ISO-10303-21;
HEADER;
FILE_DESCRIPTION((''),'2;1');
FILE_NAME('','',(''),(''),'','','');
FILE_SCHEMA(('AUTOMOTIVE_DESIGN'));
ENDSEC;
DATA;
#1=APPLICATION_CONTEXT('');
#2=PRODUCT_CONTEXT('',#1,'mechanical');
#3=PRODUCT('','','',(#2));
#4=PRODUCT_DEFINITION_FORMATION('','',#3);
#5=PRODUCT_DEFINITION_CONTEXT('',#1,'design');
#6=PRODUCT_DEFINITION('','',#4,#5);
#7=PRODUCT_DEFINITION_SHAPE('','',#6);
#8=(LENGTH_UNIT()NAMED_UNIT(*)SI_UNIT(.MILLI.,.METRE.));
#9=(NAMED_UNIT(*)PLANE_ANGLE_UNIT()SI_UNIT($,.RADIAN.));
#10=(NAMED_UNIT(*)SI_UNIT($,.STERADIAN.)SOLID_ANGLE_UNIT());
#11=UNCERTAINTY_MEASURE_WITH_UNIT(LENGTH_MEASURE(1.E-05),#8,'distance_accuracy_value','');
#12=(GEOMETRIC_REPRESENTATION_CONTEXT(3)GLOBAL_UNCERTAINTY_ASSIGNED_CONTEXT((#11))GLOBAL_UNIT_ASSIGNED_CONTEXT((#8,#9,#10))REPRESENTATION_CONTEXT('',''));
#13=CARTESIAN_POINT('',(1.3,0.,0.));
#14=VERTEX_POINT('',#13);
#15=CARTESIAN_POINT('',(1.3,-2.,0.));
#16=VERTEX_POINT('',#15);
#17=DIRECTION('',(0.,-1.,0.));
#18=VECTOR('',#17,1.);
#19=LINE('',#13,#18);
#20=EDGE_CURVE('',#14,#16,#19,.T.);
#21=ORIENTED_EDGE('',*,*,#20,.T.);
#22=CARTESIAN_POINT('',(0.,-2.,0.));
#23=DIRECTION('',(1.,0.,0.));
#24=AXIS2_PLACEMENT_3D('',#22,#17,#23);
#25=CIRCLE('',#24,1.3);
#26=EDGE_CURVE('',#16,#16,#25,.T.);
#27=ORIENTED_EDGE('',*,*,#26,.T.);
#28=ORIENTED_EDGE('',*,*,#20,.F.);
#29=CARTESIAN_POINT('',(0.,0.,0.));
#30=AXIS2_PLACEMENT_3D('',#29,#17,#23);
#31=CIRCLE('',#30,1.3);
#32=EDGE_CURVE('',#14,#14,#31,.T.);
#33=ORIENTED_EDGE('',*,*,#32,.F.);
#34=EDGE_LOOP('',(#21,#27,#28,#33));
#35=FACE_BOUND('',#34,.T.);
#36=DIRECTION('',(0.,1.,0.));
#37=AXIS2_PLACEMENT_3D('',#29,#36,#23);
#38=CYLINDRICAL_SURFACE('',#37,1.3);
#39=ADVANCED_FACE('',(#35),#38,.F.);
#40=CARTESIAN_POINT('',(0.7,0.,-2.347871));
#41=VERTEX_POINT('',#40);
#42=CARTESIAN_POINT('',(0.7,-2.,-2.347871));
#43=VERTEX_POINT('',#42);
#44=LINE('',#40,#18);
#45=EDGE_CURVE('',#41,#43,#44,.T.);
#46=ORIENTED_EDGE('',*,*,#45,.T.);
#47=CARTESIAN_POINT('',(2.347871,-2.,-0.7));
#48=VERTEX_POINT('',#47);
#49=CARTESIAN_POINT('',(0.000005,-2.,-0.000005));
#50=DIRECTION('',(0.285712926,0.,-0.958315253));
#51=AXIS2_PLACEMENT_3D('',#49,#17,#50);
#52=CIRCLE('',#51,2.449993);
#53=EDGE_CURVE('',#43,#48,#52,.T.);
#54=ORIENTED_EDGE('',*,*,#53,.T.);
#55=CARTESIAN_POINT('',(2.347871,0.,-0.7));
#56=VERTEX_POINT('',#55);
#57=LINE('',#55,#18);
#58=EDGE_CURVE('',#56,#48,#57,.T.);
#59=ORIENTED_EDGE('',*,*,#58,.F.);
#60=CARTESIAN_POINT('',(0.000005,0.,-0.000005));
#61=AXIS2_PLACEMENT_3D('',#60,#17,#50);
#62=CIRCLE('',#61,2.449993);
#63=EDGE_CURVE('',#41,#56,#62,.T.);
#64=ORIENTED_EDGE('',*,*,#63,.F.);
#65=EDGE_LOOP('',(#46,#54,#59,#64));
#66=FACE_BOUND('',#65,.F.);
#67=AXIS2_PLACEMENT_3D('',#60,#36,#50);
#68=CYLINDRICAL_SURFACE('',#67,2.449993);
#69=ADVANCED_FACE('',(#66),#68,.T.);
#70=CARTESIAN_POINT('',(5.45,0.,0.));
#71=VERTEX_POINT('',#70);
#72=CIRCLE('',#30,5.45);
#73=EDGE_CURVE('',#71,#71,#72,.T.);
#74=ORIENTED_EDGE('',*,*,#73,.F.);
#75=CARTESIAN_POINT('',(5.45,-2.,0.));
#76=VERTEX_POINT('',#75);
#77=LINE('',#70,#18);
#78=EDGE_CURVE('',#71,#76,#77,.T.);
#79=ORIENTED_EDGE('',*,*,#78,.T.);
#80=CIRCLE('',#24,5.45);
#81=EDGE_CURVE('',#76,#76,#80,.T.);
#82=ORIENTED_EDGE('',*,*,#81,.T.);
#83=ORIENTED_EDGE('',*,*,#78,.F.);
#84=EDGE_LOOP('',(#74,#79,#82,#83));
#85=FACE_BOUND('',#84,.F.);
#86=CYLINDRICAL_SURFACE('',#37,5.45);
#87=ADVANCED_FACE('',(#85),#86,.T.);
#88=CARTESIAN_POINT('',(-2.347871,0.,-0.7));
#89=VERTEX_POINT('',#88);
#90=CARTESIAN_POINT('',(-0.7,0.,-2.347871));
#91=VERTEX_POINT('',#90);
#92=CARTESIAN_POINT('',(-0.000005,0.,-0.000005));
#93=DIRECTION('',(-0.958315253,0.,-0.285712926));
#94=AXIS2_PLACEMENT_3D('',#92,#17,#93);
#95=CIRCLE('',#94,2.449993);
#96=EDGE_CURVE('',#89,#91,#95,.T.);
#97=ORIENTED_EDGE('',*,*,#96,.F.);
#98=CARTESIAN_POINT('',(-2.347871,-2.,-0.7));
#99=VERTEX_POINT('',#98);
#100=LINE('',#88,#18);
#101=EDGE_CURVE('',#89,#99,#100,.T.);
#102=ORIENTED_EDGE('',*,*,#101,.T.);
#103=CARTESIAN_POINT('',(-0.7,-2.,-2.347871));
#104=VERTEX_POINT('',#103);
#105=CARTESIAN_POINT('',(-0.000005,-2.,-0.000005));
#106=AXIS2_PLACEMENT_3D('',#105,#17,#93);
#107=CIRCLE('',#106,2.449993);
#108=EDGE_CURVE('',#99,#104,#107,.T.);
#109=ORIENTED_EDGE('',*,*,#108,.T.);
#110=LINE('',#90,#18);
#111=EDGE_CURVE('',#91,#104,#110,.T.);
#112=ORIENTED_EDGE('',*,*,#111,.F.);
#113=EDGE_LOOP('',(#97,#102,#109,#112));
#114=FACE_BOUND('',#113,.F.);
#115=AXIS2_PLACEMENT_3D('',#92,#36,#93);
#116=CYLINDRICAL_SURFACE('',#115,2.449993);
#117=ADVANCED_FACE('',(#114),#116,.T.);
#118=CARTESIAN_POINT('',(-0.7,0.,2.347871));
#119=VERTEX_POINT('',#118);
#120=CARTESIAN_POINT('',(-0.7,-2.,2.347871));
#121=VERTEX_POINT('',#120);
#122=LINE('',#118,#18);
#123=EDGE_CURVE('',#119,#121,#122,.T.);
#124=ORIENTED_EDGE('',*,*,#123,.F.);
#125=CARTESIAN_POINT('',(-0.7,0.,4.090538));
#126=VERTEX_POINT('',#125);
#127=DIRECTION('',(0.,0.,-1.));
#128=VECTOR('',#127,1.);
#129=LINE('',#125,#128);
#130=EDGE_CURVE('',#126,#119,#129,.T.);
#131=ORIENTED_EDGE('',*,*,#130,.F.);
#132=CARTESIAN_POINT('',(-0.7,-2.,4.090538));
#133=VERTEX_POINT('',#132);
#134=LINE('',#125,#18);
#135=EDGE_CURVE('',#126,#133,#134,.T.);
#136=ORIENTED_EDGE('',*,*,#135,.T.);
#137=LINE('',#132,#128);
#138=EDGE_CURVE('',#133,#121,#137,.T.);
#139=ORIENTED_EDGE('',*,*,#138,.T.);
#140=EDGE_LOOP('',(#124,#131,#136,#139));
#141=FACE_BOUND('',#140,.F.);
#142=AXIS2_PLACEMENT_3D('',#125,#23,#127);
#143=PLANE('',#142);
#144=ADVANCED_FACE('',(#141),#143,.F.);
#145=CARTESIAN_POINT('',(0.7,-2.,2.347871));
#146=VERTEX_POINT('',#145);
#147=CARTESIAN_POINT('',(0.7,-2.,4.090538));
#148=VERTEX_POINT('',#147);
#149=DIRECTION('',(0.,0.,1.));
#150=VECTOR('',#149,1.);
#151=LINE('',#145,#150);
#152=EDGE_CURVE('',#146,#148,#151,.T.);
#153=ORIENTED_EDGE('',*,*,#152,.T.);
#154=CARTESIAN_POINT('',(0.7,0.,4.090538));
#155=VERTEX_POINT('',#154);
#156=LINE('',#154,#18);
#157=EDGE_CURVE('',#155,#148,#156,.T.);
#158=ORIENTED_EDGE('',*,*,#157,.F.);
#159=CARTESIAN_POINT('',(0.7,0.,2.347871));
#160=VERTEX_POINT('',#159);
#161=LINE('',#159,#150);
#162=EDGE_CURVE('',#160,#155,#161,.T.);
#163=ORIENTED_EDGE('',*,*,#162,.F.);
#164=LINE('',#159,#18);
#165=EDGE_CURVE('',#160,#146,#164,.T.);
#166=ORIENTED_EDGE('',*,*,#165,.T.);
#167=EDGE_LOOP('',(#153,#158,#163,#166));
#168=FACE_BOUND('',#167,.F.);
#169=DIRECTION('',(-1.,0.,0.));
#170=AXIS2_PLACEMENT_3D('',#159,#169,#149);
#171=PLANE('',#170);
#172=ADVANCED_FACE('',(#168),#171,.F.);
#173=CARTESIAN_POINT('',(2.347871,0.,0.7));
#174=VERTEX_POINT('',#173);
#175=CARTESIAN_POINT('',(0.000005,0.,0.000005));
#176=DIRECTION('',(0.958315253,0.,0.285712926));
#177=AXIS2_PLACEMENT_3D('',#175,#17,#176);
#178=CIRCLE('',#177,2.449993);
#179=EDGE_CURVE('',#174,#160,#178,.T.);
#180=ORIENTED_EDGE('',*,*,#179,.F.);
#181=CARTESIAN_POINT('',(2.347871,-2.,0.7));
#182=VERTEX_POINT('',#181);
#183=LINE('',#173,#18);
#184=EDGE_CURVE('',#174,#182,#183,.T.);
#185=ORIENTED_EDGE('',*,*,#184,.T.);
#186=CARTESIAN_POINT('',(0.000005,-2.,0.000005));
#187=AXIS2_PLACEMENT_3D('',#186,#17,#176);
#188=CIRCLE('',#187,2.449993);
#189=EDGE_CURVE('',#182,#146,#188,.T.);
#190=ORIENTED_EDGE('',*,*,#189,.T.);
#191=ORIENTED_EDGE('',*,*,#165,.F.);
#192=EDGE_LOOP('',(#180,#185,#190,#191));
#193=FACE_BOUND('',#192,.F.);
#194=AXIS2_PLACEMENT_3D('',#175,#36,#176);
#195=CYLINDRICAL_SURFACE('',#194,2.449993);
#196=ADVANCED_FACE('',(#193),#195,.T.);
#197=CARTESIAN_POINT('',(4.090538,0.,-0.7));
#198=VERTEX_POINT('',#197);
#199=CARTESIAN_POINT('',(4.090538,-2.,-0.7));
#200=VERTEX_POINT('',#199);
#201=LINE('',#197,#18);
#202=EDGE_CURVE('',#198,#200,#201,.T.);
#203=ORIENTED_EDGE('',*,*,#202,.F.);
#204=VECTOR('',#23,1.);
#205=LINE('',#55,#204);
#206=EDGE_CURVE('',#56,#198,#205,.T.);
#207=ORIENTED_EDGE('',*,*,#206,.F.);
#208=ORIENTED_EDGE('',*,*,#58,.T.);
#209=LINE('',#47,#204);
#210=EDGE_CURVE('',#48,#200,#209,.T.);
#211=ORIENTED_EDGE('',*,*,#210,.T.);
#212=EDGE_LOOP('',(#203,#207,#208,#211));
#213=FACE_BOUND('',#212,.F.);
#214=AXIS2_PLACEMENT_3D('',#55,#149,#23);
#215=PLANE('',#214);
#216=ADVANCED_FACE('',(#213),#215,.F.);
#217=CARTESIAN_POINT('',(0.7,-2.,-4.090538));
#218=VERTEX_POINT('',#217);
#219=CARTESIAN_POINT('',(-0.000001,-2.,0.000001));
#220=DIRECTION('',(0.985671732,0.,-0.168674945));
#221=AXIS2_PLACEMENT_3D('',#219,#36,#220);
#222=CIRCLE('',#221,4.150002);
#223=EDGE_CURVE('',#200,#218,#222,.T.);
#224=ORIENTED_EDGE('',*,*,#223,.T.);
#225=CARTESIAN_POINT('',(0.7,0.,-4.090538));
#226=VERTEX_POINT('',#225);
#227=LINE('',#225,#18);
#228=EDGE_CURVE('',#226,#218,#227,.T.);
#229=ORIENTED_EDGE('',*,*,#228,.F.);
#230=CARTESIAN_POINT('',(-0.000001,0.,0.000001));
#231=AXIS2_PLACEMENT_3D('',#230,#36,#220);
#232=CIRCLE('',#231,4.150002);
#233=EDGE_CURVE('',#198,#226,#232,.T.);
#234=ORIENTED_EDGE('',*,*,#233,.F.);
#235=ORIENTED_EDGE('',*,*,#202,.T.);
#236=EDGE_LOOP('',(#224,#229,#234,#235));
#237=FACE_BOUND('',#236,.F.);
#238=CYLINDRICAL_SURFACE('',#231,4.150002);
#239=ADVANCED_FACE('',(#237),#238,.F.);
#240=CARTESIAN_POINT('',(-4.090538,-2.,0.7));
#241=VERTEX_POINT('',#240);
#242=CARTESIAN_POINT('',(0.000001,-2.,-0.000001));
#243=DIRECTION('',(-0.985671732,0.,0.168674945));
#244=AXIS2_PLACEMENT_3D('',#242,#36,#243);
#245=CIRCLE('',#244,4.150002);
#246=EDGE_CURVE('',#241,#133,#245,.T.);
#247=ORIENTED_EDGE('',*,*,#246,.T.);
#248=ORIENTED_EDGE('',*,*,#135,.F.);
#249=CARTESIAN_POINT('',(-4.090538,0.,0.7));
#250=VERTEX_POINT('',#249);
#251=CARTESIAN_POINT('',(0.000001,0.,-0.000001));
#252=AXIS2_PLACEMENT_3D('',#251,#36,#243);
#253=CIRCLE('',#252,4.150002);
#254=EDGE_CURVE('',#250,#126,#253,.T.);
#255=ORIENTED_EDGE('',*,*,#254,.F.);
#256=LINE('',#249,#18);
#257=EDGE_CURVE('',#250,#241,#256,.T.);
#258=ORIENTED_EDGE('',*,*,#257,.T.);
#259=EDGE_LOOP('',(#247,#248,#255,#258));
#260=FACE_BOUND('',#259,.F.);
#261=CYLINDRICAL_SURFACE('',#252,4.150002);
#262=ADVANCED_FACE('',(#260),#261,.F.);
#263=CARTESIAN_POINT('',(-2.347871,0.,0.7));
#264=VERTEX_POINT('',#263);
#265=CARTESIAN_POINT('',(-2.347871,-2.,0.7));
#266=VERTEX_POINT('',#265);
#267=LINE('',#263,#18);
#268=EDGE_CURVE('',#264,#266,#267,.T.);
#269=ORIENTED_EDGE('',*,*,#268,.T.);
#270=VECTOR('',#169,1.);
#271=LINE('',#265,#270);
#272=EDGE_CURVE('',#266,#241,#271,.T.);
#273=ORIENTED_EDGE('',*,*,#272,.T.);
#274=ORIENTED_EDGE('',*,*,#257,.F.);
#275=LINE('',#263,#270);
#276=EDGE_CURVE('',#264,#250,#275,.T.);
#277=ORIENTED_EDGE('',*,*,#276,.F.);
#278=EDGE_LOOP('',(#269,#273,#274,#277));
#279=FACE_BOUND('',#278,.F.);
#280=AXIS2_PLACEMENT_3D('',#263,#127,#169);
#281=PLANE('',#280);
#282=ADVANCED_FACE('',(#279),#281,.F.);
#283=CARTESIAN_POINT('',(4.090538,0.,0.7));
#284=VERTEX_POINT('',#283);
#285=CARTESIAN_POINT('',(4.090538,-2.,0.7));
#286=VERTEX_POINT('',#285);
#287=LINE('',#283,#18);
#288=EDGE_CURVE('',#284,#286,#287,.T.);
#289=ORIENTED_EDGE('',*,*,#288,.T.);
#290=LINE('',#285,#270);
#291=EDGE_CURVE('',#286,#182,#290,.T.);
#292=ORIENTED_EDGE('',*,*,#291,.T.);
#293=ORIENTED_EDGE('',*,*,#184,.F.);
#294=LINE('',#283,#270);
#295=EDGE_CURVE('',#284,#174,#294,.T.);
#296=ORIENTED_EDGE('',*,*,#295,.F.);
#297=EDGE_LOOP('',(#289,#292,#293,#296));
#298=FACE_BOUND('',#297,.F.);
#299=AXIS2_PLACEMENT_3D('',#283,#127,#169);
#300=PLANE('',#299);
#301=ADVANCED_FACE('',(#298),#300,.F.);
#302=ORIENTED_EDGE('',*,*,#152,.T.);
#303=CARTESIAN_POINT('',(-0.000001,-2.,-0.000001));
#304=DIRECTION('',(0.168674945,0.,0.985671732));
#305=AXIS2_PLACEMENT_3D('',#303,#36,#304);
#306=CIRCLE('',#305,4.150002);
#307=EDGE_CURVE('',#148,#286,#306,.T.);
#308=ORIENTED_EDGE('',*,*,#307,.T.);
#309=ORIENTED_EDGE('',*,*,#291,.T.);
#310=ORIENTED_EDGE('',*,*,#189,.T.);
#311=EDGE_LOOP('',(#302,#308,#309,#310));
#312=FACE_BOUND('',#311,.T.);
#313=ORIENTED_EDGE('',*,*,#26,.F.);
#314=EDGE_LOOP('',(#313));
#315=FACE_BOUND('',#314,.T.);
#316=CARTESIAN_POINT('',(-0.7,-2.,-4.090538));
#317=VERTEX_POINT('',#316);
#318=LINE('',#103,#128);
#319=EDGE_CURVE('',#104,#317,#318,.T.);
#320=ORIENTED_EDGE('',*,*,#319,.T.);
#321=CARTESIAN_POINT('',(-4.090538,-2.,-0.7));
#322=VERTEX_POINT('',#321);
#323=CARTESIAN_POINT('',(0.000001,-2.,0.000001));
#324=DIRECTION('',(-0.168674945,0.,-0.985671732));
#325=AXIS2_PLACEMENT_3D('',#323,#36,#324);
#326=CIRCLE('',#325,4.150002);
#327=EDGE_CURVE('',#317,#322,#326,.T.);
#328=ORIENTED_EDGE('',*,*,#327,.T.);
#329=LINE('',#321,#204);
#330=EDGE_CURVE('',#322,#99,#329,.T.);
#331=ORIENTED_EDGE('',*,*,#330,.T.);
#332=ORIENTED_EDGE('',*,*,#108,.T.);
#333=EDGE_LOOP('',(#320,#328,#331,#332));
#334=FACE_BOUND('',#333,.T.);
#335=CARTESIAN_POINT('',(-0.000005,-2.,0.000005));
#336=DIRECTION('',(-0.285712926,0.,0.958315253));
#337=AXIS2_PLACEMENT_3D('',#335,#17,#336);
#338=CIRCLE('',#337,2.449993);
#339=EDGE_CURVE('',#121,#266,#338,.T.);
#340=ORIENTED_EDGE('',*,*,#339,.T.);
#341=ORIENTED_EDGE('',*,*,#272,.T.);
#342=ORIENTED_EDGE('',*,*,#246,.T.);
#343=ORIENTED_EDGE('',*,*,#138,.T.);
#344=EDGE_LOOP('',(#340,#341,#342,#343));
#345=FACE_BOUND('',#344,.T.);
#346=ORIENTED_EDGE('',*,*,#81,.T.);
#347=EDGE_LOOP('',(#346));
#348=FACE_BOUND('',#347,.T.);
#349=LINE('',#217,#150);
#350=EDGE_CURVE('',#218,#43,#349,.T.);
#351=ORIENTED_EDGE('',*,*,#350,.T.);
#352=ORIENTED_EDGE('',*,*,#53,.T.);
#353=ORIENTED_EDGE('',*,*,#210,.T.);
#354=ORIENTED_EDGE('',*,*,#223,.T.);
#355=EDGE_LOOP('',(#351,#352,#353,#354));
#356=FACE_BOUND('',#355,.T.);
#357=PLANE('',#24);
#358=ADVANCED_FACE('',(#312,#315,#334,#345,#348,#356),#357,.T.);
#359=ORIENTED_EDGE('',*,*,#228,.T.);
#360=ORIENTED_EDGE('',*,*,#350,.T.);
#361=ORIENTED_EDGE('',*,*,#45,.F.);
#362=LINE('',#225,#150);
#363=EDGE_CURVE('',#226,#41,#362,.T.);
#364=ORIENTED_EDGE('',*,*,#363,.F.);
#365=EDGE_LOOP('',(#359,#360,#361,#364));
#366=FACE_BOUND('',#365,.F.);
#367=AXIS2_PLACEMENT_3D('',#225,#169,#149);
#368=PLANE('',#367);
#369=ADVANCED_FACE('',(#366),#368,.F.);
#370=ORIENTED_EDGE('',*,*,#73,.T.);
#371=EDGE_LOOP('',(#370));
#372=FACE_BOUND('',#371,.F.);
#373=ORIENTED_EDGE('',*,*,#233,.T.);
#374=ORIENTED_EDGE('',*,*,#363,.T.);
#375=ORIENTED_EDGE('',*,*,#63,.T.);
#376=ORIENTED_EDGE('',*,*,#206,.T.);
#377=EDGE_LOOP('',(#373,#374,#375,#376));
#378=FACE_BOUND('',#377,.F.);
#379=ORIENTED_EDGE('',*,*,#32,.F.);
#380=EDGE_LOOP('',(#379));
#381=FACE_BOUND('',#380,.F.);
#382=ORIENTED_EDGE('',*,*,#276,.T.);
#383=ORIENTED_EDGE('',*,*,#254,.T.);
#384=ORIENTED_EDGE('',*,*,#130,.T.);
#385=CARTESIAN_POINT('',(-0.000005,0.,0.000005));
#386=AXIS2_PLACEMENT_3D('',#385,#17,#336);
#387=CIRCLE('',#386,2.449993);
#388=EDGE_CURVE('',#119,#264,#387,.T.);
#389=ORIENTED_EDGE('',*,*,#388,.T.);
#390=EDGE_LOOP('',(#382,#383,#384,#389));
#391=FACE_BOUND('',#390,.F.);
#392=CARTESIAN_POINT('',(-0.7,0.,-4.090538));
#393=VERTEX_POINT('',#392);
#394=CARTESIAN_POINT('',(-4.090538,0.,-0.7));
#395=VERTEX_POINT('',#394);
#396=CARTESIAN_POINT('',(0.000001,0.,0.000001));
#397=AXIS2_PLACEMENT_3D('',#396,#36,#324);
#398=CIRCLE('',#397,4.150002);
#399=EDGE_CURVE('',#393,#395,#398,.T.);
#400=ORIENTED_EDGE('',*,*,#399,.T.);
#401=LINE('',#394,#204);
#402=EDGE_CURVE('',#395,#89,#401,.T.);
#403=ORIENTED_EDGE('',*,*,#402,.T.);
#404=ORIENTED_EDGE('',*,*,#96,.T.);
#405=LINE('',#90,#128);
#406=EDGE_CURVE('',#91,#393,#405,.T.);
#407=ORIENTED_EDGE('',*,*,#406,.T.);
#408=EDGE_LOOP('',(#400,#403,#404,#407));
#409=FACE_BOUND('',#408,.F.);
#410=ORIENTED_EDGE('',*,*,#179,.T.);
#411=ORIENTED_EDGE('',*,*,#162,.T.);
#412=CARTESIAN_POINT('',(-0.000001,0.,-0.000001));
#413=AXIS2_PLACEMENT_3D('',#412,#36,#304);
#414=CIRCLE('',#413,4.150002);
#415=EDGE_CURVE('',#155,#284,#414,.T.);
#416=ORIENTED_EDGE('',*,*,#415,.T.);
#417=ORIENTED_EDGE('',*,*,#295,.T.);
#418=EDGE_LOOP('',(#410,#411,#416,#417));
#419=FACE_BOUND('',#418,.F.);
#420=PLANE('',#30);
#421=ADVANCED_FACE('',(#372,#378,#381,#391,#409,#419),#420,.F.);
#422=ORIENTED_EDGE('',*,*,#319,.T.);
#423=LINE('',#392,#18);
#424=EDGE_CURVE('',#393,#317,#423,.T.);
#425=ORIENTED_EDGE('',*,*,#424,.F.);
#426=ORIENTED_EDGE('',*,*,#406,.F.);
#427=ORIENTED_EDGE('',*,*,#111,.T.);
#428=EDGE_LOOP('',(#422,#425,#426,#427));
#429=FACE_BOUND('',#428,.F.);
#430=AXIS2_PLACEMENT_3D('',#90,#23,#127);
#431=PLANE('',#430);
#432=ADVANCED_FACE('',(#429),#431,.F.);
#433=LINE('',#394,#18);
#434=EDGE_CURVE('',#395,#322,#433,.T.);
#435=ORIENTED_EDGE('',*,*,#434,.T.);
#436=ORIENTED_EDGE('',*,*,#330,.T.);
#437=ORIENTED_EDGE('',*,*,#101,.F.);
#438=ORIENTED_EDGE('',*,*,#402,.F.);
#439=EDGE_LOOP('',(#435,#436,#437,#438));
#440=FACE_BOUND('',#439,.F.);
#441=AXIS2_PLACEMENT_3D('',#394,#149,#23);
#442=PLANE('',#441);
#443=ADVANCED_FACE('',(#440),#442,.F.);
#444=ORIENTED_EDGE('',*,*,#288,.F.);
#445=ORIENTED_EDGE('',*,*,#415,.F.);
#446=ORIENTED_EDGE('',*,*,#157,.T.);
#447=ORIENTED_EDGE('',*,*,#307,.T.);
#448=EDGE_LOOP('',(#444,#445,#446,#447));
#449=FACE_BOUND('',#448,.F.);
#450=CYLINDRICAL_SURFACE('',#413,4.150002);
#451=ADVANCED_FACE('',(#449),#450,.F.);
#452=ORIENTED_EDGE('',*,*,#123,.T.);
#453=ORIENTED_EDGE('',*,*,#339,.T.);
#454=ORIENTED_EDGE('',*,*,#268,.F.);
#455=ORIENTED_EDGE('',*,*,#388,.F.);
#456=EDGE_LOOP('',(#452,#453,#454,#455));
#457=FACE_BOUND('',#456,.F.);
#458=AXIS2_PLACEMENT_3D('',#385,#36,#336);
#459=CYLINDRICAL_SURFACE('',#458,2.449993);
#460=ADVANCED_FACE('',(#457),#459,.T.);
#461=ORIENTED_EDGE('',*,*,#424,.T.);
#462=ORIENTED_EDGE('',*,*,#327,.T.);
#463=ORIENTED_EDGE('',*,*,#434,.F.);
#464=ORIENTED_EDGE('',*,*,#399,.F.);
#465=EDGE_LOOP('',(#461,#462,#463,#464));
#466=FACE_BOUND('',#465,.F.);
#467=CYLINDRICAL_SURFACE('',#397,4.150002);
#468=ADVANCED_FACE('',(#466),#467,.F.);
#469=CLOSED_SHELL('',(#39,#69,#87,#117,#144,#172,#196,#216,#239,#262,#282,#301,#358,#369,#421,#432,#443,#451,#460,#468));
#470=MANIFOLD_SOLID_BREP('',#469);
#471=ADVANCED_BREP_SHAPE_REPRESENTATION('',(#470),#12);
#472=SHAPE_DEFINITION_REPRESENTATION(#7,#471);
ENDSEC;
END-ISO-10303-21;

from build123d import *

# Parameters (mm, degrees)
F0_R     = 5.45
F0_R_2   = 1.3
F1_DEPTH = 2


with BuildPart() as f1:
    # F0 (on Front) → F1 (new body)
    with BuildSketch(Plane.XZ):
        Circle(F0_R)
        with BuildLine():
            ThreePointArc((4.090538, 0.7), (4.135108, 0.35126), (4.15, 0))
            ThreePointArc((4.15, 0), (4.135108, -0.35126), (4.090538, -0.7))
            ThreePointArc((4.090538, -0.7), (2.934493, -2.934493), (0.7, -4.090538))
            ThreePointArc((0.7, -4.090538), (0.35126, -4.135108), (0, -4.15))
            ThreePointArc((0, -4.15), (-0.35126, -4.135108), (-0.7, -4.090538))
            ThreePointArc((-0.7, -4.090538), (-2.934493, -2.934493), (-4.090538, -0.7))
            ThreePointArc((-4.090538, -0.7), (-4.135108, -0.35126), (-4.15, 0))
            ThreePointArc((-4.15, 0), (-4.135108, 0.35126), (-4.090538, 0.7))
            ThreePointArc((-4.090538, 0.7), (-2.934493, 2.934493), (-0.7, 4.090538))
            ThreePointArc((-0.7, 4.090538), (-0.35126, 4.135108), (0, 4.15))
            ThreePointArc((0, 4.15), (0.35126, 4.135108), (0.7, 4.090538))
            ThreePointArc((0.7, 4.090538), (2.934493, 2.934493), (4.090538, 0.7))
        make_face(mode=Mode.SUBTRACT)
        with BuildLine():
            ThreePointArc((2.347871, -0.7), (2.424333, -0.353705), (2.45, 0))
            ThreePointArc((2.45, 0), (2.424333, 0.353705), (2.347871, 0.7))
            ThreePointArc((2.347871, 0.7), (1.732412, 1.732412), (0.7, 2.347871))
            ThreePointArc((0.7, 2.347871), (0.353705, 2.424333), (0, 2.45))
            ThreePointArc((0, 2.45), (-0.353705, 2.424333), (-0.7, 2.347871))
            ThreePointArc((-0.7, 2.347871), (-1.732412, 1.732412), (-2.347871, 0.7))
            ThreePointArc((-2.347871, 0.7), (-2.424333, 0.353705), (-2.45, 0))
            ThreePointArc((-2.45, 0), (-2.424333, -0.353705), (-2.347871, -0.7))
            ThreePointArc((-2.347871, -0.7), (-1.732412, -1.732412), (-0.7, -2.347871))
            ThreePointArc((-0.7, -2.347871), (-0.353705, -2.424333), (0, -2.45))
            ThreePointArc((0, -2.45), (0.353705, -2.424333), (0.7, -2.347871))
            ThreePointArc((0.7, -2.347871), (1.732412, -1.732412), (2.347871, -0.7))
        make_face()
        Circle(F0_R_2, mode=Mode.SUBTRACT)
        with BuildLine():
            Line((-2.347871, 0.7), (-4.090538, 0.7))
            ThreePointArc((-4.090538, 0.7), (-4.135108, 0.35126), (-4.15, 0))
            Line((-4.15, 0), (-2.45, 0))
            ThreePointArc((-2.45, 0), (-2.424333, 0.353705), (-2.347871, 0.7))
        make_face()
        with BuildLine():
            ThreePointArc((-4.15, 0), (-4.135108, -0.35126), (-4.090538, -0.7))
            Line((-4.090538, -0.7), (-2.347871, -0.7))
            ThreePointArc((-2.347871, -0.7), (-2.424333, -0.353705), (-2.45, 0))
            Line((-2.45, 0), (-4.15, 0))
        make_face()
        with BuildLine():
            ThreePointArc((-0.7, -4.090538), (-0.35126, -4.135108), (0, -4.15))
            Line((0, -4.15), (0, -2.45))
            ThreePointArc((0, -2.45), (-0.353705, -2.424333), (-0.7, -2.347871))
            Line((-0.7, -2.347871), (-0.7, -4.090538))
        make_face()
        with BuildLine():
            ThreePointArc((0, -4.15), (0.35126, -4.135108), (0.7, -4.090538))
            Line((0.7, -4.090538), (0.7, -2.347871))
            ThreePointArc((0.7, -2.347871), (0.353705, -2.424333), (0, -2.45))
            Line((0, -2.45), (0, -4.15))
        make_face()
        with BuildLine():
            ThreePointArc((4.090538, -0.7), (4.135108, -0.35126), (4.15, 0))
            Line((4.15, 0), (2.45, 0))
            ThreePointArc((2.45, 0), (2.424333, -0.353705), (2.347871, -0.7))
            Line((2.347871, -0.7), (4.090538, -0.7))
        make_face()
        with BuildLine():
            Line((0, 2.45), (0, 4.15))
            ThreePointArc((0, 4.15), (-0.35126, 4.135108), (-0.7, 4.090538))
            Line((-0.7, 4.090538), (-0.7, 2.347871))
            ThreePointArc((-0.7, 2.347871), (-0.353705, 2.424333), (0, 2.45))
        make_face()
        with BuildLine():
            Line((0.7, 2.347871), (0.7, 4.090538))
            ThreePointArc((0.7, 4.090538), (0.35126, 4.135108), (0, 4.15))
            Line((0, 4.15), (0, 2.45))
            ThreePointArc((0, 2.45), (0.353705, 2.424333), (0.7, 2.347871))
        make_face()
        with BuildLine():
            Line((2.45, 0), (4.15, 0))
            ThreePointArc((4.15, 0), (4.135108, 0.35126), (4.090538, 0.7))
            Line((4.090538, 0.7), (2.347871, 0.7))
            ThreePointArc((2.347871, 0.7), (2.424333, 0.353705), (2.45, 0))
        make_face()
    extrude(amount=F1_DEPTH)


solid = f1.part
